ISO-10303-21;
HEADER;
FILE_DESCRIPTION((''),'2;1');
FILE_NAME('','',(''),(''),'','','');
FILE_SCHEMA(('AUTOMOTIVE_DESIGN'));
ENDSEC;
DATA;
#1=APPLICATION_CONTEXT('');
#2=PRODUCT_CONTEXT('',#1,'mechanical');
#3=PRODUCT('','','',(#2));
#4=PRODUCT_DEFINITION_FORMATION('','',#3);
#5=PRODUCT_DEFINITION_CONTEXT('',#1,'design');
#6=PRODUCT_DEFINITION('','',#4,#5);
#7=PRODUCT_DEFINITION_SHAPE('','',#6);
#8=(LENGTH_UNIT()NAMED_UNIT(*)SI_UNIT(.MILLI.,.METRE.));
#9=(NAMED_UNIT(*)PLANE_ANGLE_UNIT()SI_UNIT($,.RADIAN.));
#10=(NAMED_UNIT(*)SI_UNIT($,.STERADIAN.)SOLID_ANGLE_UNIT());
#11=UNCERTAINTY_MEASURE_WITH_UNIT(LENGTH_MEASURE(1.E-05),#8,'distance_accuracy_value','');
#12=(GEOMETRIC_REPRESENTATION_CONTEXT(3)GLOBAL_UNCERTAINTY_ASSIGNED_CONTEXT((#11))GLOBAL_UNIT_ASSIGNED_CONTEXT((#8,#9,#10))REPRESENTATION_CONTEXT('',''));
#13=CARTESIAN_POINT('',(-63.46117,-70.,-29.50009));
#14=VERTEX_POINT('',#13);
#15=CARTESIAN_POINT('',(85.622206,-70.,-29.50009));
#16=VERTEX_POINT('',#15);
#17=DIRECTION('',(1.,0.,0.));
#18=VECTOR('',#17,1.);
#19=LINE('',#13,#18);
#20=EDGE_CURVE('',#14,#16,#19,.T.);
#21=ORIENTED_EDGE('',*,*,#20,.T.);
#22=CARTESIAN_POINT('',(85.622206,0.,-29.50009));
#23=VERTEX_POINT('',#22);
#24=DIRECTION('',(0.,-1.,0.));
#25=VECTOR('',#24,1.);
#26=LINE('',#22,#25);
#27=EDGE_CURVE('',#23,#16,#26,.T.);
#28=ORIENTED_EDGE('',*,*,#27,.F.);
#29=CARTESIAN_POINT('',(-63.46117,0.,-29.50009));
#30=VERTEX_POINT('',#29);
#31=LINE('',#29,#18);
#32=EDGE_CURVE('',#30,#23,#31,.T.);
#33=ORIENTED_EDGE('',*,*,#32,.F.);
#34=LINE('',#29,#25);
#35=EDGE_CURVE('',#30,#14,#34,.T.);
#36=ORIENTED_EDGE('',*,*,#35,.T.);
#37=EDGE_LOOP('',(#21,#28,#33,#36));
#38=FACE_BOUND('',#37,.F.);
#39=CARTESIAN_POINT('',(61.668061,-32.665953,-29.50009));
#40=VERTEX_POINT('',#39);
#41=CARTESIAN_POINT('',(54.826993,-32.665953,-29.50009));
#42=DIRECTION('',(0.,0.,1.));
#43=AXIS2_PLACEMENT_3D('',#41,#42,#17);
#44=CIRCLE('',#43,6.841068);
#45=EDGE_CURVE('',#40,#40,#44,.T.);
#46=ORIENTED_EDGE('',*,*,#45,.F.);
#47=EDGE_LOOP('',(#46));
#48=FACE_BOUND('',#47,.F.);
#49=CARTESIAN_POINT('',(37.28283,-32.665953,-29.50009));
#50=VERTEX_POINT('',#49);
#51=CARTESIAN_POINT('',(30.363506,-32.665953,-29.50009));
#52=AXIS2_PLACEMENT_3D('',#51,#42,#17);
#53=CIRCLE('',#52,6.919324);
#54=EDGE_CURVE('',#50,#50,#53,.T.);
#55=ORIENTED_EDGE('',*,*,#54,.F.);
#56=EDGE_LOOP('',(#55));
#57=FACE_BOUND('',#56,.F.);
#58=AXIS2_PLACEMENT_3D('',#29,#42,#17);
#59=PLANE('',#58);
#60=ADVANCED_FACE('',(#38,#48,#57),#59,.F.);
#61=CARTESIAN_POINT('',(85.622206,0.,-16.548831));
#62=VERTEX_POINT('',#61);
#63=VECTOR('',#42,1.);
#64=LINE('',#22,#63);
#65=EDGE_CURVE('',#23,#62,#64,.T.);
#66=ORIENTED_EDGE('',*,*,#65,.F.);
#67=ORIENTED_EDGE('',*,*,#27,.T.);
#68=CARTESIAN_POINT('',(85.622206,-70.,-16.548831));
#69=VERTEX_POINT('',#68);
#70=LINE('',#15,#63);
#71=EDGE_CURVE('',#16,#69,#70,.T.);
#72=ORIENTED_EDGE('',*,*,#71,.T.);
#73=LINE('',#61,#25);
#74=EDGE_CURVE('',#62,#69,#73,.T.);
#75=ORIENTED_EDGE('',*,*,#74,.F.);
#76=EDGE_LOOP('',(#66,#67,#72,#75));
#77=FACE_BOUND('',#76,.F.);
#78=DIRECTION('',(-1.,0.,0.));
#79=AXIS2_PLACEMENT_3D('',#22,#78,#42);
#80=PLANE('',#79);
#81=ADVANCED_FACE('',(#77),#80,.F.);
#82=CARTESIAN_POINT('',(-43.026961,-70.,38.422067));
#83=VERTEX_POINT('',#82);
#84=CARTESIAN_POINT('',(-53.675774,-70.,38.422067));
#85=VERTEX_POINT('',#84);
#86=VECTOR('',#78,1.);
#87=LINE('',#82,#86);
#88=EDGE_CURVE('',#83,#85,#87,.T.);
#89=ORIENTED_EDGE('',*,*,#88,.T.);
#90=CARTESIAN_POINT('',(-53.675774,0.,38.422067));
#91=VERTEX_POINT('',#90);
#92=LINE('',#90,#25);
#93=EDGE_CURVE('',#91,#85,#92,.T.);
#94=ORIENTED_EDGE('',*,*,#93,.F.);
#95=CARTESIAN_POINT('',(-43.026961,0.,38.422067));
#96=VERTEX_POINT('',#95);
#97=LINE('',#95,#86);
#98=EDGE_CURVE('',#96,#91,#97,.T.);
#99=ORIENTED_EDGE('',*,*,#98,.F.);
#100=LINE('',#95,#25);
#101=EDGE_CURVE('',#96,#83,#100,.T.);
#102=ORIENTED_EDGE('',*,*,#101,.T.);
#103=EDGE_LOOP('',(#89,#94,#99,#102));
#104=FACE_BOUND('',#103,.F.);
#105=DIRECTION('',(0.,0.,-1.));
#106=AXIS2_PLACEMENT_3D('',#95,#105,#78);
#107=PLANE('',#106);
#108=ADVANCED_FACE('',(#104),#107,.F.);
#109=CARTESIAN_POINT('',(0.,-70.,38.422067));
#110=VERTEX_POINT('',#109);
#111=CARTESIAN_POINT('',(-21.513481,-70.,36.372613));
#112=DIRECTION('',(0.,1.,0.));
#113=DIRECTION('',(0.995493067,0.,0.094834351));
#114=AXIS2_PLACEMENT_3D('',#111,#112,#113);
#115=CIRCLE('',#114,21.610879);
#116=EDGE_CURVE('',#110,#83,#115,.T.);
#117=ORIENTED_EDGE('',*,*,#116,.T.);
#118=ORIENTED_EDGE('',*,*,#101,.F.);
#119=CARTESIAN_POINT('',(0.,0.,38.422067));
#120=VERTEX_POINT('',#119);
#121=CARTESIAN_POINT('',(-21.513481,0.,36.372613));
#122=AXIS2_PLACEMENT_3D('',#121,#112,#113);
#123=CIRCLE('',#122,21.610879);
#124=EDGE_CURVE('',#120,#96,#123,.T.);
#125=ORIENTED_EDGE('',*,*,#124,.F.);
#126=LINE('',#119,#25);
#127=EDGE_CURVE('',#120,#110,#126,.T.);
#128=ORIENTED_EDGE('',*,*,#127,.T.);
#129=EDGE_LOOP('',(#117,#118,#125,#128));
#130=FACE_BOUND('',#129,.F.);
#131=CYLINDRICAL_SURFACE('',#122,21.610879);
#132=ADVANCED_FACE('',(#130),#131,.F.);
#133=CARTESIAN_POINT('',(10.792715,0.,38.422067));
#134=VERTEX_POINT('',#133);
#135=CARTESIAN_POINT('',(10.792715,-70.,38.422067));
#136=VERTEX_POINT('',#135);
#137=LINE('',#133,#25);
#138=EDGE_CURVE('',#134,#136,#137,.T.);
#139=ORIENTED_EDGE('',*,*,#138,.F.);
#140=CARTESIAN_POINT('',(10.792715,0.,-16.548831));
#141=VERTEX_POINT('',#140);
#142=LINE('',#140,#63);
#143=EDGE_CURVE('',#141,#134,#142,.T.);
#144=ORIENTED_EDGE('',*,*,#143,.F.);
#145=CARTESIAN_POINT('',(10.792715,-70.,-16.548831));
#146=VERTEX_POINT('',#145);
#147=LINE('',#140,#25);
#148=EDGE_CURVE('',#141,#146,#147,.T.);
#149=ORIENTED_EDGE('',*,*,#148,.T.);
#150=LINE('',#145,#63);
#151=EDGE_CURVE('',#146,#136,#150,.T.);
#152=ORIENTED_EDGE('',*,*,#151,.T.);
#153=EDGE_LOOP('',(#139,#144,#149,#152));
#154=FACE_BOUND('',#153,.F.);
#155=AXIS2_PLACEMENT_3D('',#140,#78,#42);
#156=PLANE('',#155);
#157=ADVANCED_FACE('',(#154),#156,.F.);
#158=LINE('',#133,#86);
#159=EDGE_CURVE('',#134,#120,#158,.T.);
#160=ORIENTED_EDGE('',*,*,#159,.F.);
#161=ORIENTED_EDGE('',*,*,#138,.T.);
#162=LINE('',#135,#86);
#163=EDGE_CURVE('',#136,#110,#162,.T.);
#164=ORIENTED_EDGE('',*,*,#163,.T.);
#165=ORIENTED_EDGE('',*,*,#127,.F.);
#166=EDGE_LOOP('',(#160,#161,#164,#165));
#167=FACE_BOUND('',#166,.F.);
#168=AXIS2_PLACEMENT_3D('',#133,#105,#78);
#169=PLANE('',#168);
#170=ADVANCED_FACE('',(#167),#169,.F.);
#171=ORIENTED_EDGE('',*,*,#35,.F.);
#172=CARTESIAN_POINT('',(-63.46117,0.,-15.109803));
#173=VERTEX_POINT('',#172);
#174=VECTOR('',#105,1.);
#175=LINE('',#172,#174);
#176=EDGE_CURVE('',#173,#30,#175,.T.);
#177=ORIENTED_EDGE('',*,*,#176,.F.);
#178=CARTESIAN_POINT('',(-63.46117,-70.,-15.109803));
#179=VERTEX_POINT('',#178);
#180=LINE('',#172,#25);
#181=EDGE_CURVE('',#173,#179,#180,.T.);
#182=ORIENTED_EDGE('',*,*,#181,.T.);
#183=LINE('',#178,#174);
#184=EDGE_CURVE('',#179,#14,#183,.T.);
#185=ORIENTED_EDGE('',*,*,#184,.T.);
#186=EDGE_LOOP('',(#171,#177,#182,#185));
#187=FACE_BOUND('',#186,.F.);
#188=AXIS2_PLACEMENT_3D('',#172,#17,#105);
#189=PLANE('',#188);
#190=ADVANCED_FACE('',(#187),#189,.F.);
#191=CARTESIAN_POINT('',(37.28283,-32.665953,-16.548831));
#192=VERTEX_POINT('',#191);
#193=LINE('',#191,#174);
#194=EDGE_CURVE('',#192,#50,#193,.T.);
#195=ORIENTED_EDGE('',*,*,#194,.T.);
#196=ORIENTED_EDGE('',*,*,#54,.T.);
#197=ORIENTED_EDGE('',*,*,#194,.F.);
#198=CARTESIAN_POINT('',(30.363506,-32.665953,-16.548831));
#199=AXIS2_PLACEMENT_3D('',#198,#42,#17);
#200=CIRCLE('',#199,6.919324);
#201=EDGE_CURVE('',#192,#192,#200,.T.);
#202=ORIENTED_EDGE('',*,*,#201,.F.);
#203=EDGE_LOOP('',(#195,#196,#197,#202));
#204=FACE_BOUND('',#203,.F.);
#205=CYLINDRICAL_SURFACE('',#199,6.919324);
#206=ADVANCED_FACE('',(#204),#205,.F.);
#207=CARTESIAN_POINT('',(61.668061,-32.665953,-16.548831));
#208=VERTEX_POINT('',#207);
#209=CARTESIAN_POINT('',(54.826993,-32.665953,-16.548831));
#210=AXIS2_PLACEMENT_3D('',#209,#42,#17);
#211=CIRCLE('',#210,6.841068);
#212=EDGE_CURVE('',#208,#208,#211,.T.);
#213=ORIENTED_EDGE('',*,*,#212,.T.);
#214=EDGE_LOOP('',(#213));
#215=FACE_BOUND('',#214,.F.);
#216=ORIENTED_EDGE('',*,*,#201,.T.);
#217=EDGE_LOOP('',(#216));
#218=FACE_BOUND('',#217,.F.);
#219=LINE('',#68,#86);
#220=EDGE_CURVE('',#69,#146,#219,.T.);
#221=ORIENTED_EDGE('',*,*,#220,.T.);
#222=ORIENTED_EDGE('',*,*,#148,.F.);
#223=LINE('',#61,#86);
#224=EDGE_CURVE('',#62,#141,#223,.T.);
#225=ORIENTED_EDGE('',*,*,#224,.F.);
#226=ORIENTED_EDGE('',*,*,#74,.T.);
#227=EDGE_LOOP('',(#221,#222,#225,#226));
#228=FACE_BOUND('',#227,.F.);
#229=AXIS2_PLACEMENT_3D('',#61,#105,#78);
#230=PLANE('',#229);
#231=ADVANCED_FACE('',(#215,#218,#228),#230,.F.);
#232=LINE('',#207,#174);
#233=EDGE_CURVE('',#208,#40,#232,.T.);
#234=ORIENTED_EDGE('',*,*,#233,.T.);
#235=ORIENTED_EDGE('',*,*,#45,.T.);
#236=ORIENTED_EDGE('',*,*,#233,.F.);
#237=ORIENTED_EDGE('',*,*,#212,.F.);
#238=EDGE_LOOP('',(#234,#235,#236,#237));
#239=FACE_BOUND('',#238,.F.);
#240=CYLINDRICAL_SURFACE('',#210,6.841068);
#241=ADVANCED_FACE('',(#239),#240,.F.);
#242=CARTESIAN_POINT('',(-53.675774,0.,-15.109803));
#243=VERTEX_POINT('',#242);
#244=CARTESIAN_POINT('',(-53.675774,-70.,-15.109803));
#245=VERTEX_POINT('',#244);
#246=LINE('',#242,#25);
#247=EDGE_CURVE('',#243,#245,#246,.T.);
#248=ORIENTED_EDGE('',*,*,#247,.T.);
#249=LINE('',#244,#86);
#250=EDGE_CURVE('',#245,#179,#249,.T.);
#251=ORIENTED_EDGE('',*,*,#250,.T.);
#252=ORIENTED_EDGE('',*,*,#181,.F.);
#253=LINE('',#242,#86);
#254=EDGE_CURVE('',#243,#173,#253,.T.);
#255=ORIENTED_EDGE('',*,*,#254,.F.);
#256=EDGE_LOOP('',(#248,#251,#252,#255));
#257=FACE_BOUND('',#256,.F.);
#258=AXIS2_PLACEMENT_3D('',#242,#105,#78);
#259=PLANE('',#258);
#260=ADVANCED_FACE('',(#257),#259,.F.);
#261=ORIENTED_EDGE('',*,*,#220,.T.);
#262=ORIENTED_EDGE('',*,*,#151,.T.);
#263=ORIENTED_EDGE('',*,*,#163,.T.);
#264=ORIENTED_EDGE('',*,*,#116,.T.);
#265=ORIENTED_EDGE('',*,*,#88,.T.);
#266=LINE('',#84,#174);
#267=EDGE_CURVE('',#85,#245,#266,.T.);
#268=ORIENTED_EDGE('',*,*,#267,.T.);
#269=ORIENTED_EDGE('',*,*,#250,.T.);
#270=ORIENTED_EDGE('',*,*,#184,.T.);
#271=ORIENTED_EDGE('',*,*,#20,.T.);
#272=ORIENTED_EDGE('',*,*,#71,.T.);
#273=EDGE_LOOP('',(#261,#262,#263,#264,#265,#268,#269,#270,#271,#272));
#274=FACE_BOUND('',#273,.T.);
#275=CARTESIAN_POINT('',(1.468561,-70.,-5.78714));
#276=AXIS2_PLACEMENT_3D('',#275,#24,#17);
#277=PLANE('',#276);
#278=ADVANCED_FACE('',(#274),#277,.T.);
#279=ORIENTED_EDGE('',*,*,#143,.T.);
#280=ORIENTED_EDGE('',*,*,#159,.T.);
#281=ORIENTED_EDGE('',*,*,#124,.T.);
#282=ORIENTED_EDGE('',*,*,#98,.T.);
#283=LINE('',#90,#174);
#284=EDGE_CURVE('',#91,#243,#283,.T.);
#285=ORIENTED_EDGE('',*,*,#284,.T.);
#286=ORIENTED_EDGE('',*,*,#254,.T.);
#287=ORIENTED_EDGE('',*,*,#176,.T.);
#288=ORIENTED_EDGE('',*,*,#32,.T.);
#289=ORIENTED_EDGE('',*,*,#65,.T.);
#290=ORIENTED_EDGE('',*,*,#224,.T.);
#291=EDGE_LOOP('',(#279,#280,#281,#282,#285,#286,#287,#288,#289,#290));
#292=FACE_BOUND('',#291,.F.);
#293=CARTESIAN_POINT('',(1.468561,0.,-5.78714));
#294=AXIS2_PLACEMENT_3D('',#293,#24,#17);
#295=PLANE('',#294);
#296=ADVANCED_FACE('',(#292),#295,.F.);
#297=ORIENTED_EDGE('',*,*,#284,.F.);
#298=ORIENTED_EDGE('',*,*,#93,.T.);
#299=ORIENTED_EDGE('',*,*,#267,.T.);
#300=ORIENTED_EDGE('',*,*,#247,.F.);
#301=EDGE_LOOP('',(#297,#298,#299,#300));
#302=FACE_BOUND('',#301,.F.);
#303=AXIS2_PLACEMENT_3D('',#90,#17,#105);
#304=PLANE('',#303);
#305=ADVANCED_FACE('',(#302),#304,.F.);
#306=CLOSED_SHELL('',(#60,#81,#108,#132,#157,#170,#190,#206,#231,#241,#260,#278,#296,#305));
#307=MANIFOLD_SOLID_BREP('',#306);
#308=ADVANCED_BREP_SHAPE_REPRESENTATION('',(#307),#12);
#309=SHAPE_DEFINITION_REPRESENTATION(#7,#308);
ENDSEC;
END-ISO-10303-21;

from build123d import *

# Parameters (mm, degrees)
F1_DEPTH = 70
F2_R     = 6.919324
F2_R_2   = 6.841068
F3_DEPTH = 25


with BuildPart() as f1:
    # F0 (on Front) → F1 (new body)
    with BuildSketch(Plane.XZ):
        with BuildLine():
            ThreePointArc((0, 38.422067), (-21.513481, 14.761734), (-43.026961, 38.422067))
            Line((-43.026961, 38.422067), (-53.675774, 38.422067))
            Line((-53.675774, 38.422067), (-53.675774, -15.109803))
            Line((-53.675774, -15.109803), (-63.46117, -15.109803))
            Line((-63.46117, -15.109803), (-63.46117, -29.50009))
            Line((-63.46117, -29.50009), (85.622206, -29.50009))
            Line((85.622206, -29.50009), (85.622206, -16.548831))
            Line((85.622206, -16.548831), (10.792715, -16.548831))
            Line((10.792715, -16.548831), (10.792715, 38.422067))
            Line((10.792715, 38.422067), (0, 38.422067))
        make_face()
    extrude(amount=F1_DEPTH)

    # F2 (on face) → F3 (cut)
    with BuildSketch(Plane.XY.offset(-16.548831)):
        with Locations((30.363506, -32.665953)):
            Circle(F2_R)
        with Locations((54.826993, -32.665953)):
            Circle(F2_R_2)
    extrude(amount=-F3_DEPTH, mode=Mode.SUBTRACT)


solid = f1.part
